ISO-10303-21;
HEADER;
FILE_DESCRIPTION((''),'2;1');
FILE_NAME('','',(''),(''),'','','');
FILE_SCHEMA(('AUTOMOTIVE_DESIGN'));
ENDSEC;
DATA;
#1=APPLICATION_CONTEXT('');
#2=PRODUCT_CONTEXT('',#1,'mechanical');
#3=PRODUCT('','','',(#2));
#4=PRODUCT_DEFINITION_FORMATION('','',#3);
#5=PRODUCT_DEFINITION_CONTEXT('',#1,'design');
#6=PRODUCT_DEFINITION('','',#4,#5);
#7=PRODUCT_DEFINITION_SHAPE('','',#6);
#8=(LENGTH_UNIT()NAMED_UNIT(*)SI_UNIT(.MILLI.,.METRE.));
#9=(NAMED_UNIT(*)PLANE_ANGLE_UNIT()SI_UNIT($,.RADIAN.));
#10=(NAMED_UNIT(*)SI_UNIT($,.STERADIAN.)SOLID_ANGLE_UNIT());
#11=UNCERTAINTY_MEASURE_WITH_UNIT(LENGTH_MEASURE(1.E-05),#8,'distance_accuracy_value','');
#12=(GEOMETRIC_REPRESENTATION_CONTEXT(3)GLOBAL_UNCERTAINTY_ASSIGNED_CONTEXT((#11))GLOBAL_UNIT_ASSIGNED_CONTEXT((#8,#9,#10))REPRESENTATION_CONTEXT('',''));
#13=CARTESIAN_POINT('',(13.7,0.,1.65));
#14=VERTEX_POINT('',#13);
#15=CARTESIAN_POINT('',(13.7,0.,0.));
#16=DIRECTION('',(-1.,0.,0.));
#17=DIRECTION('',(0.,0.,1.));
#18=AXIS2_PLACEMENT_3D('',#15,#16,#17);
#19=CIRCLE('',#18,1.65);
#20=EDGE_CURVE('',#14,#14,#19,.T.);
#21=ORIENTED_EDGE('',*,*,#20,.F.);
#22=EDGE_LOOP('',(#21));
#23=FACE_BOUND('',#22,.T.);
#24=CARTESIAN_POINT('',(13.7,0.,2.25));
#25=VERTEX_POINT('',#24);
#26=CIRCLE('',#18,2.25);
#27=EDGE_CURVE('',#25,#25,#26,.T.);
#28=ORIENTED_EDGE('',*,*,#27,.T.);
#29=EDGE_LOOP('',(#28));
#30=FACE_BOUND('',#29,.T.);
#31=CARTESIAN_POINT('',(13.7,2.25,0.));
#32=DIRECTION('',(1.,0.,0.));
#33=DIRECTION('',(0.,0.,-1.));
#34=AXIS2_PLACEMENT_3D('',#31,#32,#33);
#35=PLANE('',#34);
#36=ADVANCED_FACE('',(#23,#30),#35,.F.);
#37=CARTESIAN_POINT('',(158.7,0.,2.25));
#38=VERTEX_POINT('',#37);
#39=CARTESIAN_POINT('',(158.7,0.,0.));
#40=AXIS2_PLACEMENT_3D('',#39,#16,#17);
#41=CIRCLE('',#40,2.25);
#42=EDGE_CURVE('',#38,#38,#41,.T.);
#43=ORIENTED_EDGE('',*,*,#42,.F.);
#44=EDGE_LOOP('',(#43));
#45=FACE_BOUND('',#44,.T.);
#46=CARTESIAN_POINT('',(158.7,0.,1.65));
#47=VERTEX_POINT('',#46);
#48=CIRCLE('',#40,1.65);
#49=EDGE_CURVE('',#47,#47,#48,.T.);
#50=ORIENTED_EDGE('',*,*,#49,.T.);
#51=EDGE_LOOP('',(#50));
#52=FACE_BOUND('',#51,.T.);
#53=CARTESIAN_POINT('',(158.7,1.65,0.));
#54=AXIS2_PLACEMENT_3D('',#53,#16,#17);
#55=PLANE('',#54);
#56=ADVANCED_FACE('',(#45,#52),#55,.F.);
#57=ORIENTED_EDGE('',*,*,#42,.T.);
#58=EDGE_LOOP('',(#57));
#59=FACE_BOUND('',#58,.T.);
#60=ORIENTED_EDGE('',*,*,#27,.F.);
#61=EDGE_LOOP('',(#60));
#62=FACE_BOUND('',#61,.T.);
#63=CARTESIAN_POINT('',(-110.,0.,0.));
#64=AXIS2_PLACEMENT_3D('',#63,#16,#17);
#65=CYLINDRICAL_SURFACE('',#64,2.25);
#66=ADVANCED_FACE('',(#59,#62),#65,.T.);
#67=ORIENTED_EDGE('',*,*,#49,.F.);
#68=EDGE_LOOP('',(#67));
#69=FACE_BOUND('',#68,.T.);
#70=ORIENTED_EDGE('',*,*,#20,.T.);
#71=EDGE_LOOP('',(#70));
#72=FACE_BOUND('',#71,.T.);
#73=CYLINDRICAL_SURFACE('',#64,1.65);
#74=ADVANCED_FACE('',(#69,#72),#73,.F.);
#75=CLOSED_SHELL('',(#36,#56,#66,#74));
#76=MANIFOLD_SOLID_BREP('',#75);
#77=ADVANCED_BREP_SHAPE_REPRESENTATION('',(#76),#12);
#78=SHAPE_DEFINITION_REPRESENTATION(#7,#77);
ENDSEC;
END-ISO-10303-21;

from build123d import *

# Parameters (mm, degrees)
AXIAL_PROFILE_MM_W = 145
AXIAL_PROFILE_MM_H = 0.6


with BuildPart() as part:
    # Axial profile (mm) → Full revolution (revolve)
    with BuildSketch(Plane.XY, mode=Mode.PRIVATE) as full_revolution_sk:
        with Locations((86.2, 1.95)):
            Rectangle(AXIAL_PROFILE_MM_W, AXIAL_PROFILE_MM_H)
    revolve(full_revolution_sk.sketch.rotate(Axis((-110, 0, 0), (1, 0, 0)), 90), axis=Axis((-110, 0, 0), (1, 0, 0)))


solid = part.part
